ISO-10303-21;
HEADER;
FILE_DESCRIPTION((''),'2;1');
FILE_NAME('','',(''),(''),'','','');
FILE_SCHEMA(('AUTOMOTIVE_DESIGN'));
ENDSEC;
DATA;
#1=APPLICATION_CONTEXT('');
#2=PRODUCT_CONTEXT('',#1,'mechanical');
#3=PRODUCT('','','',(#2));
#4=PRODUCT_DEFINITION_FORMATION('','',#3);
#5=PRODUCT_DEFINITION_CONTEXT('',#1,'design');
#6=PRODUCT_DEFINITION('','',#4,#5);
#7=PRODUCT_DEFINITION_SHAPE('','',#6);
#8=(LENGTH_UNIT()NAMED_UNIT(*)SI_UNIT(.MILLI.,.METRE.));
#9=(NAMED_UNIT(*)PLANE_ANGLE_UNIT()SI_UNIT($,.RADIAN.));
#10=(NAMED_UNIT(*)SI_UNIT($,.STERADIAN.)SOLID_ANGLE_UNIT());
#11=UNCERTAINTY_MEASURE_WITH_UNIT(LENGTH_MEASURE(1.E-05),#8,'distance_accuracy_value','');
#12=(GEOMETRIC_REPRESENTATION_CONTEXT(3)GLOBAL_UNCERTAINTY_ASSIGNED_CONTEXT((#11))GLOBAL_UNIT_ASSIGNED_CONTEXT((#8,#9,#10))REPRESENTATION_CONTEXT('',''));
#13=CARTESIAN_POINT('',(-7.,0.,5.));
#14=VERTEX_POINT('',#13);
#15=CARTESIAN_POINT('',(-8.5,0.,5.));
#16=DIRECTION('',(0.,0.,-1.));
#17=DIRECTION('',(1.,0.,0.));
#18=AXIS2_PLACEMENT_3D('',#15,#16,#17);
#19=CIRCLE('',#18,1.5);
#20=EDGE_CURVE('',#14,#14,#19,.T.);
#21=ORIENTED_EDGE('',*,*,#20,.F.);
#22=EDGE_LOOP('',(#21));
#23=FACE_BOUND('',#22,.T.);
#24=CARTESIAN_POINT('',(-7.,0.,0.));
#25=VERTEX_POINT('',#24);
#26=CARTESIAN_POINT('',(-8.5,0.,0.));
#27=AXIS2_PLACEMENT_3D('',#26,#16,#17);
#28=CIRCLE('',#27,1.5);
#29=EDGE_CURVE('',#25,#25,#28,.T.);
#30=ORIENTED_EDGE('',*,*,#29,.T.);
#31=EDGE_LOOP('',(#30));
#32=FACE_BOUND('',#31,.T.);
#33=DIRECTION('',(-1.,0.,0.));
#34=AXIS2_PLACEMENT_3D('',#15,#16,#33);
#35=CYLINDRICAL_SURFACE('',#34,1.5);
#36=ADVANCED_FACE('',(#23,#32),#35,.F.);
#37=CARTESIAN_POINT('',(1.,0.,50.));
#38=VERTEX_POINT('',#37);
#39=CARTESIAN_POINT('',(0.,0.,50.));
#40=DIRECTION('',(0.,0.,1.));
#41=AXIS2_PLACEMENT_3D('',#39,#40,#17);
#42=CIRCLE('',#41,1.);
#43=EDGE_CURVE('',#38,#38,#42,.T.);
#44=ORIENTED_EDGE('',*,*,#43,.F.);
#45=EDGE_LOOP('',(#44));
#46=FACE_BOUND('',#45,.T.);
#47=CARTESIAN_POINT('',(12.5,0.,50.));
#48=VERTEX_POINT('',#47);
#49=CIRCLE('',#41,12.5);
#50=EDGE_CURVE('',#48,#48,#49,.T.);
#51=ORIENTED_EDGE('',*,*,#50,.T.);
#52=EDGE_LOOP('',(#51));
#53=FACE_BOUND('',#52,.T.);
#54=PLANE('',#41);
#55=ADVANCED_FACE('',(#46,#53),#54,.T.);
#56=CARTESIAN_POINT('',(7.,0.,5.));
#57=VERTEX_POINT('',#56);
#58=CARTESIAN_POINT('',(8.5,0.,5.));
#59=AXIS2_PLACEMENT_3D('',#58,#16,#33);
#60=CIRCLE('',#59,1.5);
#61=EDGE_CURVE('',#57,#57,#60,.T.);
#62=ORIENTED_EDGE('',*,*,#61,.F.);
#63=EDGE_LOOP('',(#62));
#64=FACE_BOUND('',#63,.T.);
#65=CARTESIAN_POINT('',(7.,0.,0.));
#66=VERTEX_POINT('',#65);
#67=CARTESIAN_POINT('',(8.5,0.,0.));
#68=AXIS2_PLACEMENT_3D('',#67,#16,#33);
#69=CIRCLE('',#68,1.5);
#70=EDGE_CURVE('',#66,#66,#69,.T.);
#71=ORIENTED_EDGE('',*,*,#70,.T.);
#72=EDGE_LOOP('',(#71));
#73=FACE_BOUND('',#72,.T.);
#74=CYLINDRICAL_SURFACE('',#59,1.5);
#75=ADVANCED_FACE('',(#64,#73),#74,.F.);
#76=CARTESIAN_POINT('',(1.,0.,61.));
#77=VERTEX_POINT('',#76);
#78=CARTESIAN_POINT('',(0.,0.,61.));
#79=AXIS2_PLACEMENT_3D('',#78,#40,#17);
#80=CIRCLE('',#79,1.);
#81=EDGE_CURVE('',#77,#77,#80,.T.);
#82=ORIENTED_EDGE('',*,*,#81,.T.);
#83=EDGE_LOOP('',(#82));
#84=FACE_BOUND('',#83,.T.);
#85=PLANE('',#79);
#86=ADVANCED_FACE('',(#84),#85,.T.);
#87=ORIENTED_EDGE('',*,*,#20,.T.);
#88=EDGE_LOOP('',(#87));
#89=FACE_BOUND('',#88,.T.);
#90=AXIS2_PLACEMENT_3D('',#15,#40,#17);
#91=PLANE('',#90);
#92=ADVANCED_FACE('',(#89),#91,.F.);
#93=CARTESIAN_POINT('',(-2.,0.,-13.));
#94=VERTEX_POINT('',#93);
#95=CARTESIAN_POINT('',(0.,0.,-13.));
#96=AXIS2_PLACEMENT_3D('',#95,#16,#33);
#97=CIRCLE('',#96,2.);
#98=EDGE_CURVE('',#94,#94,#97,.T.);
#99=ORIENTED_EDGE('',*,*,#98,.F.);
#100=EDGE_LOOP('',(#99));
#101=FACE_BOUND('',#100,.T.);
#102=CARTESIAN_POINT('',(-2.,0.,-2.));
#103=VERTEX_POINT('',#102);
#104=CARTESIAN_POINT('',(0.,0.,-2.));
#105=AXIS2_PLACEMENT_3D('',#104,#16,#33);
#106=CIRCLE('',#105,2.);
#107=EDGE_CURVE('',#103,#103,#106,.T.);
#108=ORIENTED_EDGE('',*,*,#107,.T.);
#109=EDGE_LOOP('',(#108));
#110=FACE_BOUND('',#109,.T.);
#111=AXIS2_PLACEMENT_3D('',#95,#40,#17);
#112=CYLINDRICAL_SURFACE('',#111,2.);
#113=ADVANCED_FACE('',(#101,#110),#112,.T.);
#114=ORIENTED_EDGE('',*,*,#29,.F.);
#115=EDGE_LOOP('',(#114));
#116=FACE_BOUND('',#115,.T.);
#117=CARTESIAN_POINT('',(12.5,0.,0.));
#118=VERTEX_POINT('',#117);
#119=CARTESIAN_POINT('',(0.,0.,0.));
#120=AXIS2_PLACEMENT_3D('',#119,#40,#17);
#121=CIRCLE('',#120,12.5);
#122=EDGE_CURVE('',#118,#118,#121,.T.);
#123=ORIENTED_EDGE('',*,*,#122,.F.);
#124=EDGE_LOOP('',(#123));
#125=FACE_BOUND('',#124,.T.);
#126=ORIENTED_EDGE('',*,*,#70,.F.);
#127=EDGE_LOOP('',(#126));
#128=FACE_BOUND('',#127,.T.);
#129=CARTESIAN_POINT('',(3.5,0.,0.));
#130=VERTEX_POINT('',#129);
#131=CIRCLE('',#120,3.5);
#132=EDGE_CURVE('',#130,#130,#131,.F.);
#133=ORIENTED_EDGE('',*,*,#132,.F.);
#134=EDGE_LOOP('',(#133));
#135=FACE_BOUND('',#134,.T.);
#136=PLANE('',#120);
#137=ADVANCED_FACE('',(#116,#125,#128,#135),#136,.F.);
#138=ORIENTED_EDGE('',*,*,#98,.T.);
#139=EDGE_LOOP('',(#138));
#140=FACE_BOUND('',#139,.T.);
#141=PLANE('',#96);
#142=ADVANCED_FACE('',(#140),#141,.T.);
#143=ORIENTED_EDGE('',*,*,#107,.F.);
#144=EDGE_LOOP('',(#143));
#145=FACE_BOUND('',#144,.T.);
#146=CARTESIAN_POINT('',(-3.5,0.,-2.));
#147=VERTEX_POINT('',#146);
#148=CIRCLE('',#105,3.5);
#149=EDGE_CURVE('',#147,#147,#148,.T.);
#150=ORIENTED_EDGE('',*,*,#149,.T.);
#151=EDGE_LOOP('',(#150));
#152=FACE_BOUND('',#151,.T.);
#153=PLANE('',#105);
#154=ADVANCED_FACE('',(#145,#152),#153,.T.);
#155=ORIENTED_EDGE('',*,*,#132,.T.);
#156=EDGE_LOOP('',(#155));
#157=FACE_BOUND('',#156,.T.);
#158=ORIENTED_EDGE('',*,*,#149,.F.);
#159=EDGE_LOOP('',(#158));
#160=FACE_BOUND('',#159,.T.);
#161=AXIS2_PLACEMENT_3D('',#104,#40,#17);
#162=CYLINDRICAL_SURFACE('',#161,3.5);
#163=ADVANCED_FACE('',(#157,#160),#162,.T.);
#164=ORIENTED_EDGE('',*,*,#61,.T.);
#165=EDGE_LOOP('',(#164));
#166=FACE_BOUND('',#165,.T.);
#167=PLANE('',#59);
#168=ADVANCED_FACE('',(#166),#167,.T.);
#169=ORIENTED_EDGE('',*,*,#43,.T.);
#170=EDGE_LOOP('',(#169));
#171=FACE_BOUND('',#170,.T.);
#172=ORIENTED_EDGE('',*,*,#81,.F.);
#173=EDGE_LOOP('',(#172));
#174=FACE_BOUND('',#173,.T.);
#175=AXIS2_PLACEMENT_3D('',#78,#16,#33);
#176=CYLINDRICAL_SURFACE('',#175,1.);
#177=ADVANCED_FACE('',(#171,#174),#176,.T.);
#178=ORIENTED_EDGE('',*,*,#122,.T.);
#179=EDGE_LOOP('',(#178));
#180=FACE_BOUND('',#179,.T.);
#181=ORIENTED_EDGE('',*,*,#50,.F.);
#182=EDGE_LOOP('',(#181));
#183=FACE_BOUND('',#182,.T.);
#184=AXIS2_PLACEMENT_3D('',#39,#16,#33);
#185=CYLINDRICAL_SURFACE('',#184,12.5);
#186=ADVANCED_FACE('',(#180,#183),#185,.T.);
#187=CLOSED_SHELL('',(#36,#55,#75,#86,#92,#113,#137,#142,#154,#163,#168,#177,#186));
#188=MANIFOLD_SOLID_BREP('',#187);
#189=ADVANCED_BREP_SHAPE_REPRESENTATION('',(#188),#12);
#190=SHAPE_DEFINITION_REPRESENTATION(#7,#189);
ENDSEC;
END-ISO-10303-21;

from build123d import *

# Parameters (mm, degrees)
SKETCH1_R           = 12.5
BOSS_EXTRUDE1_DEPTH = 50
SKETCH2_R           = 3.5
BOSS_EXTRUDE2_DEPTH = 2
SKETCH3_R           = 2
BOSS_EXTRUDE3_DEPTH = 11
SKETCH4_R           = 1.5
CUT_EXTRUDE1_DEPTH  = 5
SKETCH5_R           = 1
BOSS_EXTRUDE4_DEPTH = 11


with BuildPart() as part:
    # Sketch1 → Boss-Extrude1 (new body)
    with BuildSketch(Plane.XY):
        Circle(SKETCH1_R)
    extrude(amount=BOSS_EXTRUDE1_DEPTH)

    # Sketch2 → Boss-Extrude2 (add)
    with BuildSketch(Plane(origin=(0, 0, 0), x_dir=(-1, 0, 0), z_dir=(0, 0, -1))):
        Circle(SKETCH2_R)
    extrude(amount=BOSS_EXTRUDE2_DEPTH)

    # Sketch3 → Boss-Extrude3 (add)
    with BuildSketch(Plane(origin=(0, 0, -2), x_dir=(-1, 0, 0), z_dir=(0, 0, -1))):
        Circle(SKETCH3_R)
    extrude(amount=BOSS_EXTRUDE3_DEPTH)

    # Sketch4 → Cut-Extrude1 (cut)
    with BuildSketch(Plane(origin=(0, 0, 0), x_dir=(-1, 0, 0), z_dir=(0, 0, -1))):
        with Locations((-8.5, 0)):
            Circle(SKETCH4_R)
        with Locations((8.5, 0)):
            Circle(SKETCH4_R)
    extrude(amount=-CUT_EXTRUDE1_DEPTH, mode=Mode.SUBTRACT)

    # Sketch5 → Boss-Extrude4 (add)
    with BuildSketch(Plane.XY.offset(50)):
        Circle(SKETCH5_R)
    extrude(amount=BOSS_EXTRUDE4_DEPTH)


solid = part.part
